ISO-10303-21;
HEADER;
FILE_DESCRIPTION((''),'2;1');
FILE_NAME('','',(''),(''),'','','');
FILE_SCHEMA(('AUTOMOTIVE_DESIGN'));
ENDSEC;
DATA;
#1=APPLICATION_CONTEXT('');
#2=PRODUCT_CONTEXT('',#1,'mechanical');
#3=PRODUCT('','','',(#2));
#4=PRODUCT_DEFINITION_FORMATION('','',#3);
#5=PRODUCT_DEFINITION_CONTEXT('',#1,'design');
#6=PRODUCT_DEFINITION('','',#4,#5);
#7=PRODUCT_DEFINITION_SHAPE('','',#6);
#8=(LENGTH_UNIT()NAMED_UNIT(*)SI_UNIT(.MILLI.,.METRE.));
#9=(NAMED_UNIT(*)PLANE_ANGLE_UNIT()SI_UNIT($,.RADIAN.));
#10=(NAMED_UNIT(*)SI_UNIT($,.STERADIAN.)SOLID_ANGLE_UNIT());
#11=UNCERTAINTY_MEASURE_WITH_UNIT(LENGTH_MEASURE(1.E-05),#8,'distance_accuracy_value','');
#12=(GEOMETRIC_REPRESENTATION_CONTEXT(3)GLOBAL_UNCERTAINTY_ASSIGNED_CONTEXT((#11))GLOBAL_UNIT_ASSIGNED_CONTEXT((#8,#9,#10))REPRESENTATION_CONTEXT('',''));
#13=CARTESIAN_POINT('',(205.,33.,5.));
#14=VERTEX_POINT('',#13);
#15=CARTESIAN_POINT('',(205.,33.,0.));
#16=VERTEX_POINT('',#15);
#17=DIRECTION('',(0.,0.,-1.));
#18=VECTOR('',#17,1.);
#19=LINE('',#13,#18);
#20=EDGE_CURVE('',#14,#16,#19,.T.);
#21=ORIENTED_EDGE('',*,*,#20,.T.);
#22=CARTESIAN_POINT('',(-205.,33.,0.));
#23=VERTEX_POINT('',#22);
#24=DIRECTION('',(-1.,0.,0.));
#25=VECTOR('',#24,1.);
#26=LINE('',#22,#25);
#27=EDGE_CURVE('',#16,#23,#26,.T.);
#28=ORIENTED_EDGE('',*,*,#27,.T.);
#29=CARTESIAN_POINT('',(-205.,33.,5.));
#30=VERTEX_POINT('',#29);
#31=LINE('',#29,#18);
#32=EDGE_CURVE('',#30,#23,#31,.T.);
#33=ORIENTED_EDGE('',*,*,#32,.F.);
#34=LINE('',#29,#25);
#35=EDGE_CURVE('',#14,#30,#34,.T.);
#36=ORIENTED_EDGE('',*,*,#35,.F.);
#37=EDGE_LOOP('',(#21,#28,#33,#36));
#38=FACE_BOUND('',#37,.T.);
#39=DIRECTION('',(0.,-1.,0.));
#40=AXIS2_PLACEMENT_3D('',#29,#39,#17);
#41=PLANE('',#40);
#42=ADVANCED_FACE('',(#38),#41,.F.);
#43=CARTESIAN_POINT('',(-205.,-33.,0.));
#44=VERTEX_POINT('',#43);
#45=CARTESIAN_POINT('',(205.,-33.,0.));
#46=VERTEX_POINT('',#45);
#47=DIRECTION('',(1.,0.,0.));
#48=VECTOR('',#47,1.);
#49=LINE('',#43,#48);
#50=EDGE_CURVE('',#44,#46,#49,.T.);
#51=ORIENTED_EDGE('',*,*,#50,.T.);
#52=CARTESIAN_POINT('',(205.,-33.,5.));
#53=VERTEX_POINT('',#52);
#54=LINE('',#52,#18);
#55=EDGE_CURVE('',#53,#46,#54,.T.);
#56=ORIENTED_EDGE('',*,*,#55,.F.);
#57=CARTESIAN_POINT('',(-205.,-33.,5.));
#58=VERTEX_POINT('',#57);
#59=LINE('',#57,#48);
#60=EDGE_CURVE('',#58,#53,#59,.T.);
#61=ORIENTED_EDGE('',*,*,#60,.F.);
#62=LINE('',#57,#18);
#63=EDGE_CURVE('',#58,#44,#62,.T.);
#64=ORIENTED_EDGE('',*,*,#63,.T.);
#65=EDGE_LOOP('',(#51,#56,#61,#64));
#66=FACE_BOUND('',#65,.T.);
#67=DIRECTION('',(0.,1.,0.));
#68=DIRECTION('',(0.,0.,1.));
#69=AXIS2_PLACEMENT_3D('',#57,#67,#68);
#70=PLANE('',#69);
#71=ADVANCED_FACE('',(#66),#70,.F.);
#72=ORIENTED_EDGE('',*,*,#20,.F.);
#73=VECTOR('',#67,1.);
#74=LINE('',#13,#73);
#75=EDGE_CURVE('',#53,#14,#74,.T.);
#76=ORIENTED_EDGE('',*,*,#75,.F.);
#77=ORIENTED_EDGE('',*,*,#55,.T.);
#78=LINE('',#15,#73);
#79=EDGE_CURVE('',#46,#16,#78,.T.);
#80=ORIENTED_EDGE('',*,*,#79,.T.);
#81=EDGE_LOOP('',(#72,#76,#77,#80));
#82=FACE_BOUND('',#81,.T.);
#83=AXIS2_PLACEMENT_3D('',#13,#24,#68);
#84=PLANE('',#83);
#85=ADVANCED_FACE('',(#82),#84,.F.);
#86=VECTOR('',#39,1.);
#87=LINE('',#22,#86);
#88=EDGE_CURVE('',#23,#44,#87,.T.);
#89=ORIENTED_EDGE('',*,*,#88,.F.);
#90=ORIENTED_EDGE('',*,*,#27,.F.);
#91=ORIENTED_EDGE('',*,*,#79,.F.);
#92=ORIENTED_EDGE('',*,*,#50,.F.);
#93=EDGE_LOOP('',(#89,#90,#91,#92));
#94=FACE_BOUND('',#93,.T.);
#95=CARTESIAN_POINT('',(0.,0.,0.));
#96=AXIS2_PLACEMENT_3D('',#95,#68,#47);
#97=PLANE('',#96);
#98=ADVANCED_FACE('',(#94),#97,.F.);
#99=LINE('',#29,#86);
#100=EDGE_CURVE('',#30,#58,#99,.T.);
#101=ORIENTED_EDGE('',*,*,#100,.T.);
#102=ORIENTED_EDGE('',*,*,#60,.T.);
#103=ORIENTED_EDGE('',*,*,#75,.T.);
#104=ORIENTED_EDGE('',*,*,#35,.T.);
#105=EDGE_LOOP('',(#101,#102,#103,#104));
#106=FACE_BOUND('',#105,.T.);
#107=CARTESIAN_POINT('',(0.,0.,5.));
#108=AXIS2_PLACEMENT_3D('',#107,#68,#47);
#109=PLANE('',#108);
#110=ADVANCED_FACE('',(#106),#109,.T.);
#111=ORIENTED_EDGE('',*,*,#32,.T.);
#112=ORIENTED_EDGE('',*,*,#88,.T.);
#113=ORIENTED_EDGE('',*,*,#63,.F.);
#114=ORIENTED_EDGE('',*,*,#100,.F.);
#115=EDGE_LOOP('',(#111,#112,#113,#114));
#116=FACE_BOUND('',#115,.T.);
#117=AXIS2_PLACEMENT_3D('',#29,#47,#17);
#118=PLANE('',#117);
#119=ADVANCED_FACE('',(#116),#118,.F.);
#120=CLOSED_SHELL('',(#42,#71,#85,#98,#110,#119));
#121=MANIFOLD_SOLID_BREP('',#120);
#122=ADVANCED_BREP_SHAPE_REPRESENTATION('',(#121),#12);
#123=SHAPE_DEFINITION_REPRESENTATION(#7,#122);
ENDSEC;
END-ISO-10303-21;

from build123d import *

# Parameters (mm, degrees)
SKETCH_1_W      = 410
SKETCH_1_H      = 66
EXTRUDE_1_DEPTH = 5


with BuildPart() as part:
    # 스케치1 → 보스-돌출1 (new body)
    with BuildSketch(Plane.XY):
        Rectangle(SKETCH_1_W, SKETCH_1_H)
    extrude(amount=EXTRUDE_1_DEPTH)


solid = part.part
